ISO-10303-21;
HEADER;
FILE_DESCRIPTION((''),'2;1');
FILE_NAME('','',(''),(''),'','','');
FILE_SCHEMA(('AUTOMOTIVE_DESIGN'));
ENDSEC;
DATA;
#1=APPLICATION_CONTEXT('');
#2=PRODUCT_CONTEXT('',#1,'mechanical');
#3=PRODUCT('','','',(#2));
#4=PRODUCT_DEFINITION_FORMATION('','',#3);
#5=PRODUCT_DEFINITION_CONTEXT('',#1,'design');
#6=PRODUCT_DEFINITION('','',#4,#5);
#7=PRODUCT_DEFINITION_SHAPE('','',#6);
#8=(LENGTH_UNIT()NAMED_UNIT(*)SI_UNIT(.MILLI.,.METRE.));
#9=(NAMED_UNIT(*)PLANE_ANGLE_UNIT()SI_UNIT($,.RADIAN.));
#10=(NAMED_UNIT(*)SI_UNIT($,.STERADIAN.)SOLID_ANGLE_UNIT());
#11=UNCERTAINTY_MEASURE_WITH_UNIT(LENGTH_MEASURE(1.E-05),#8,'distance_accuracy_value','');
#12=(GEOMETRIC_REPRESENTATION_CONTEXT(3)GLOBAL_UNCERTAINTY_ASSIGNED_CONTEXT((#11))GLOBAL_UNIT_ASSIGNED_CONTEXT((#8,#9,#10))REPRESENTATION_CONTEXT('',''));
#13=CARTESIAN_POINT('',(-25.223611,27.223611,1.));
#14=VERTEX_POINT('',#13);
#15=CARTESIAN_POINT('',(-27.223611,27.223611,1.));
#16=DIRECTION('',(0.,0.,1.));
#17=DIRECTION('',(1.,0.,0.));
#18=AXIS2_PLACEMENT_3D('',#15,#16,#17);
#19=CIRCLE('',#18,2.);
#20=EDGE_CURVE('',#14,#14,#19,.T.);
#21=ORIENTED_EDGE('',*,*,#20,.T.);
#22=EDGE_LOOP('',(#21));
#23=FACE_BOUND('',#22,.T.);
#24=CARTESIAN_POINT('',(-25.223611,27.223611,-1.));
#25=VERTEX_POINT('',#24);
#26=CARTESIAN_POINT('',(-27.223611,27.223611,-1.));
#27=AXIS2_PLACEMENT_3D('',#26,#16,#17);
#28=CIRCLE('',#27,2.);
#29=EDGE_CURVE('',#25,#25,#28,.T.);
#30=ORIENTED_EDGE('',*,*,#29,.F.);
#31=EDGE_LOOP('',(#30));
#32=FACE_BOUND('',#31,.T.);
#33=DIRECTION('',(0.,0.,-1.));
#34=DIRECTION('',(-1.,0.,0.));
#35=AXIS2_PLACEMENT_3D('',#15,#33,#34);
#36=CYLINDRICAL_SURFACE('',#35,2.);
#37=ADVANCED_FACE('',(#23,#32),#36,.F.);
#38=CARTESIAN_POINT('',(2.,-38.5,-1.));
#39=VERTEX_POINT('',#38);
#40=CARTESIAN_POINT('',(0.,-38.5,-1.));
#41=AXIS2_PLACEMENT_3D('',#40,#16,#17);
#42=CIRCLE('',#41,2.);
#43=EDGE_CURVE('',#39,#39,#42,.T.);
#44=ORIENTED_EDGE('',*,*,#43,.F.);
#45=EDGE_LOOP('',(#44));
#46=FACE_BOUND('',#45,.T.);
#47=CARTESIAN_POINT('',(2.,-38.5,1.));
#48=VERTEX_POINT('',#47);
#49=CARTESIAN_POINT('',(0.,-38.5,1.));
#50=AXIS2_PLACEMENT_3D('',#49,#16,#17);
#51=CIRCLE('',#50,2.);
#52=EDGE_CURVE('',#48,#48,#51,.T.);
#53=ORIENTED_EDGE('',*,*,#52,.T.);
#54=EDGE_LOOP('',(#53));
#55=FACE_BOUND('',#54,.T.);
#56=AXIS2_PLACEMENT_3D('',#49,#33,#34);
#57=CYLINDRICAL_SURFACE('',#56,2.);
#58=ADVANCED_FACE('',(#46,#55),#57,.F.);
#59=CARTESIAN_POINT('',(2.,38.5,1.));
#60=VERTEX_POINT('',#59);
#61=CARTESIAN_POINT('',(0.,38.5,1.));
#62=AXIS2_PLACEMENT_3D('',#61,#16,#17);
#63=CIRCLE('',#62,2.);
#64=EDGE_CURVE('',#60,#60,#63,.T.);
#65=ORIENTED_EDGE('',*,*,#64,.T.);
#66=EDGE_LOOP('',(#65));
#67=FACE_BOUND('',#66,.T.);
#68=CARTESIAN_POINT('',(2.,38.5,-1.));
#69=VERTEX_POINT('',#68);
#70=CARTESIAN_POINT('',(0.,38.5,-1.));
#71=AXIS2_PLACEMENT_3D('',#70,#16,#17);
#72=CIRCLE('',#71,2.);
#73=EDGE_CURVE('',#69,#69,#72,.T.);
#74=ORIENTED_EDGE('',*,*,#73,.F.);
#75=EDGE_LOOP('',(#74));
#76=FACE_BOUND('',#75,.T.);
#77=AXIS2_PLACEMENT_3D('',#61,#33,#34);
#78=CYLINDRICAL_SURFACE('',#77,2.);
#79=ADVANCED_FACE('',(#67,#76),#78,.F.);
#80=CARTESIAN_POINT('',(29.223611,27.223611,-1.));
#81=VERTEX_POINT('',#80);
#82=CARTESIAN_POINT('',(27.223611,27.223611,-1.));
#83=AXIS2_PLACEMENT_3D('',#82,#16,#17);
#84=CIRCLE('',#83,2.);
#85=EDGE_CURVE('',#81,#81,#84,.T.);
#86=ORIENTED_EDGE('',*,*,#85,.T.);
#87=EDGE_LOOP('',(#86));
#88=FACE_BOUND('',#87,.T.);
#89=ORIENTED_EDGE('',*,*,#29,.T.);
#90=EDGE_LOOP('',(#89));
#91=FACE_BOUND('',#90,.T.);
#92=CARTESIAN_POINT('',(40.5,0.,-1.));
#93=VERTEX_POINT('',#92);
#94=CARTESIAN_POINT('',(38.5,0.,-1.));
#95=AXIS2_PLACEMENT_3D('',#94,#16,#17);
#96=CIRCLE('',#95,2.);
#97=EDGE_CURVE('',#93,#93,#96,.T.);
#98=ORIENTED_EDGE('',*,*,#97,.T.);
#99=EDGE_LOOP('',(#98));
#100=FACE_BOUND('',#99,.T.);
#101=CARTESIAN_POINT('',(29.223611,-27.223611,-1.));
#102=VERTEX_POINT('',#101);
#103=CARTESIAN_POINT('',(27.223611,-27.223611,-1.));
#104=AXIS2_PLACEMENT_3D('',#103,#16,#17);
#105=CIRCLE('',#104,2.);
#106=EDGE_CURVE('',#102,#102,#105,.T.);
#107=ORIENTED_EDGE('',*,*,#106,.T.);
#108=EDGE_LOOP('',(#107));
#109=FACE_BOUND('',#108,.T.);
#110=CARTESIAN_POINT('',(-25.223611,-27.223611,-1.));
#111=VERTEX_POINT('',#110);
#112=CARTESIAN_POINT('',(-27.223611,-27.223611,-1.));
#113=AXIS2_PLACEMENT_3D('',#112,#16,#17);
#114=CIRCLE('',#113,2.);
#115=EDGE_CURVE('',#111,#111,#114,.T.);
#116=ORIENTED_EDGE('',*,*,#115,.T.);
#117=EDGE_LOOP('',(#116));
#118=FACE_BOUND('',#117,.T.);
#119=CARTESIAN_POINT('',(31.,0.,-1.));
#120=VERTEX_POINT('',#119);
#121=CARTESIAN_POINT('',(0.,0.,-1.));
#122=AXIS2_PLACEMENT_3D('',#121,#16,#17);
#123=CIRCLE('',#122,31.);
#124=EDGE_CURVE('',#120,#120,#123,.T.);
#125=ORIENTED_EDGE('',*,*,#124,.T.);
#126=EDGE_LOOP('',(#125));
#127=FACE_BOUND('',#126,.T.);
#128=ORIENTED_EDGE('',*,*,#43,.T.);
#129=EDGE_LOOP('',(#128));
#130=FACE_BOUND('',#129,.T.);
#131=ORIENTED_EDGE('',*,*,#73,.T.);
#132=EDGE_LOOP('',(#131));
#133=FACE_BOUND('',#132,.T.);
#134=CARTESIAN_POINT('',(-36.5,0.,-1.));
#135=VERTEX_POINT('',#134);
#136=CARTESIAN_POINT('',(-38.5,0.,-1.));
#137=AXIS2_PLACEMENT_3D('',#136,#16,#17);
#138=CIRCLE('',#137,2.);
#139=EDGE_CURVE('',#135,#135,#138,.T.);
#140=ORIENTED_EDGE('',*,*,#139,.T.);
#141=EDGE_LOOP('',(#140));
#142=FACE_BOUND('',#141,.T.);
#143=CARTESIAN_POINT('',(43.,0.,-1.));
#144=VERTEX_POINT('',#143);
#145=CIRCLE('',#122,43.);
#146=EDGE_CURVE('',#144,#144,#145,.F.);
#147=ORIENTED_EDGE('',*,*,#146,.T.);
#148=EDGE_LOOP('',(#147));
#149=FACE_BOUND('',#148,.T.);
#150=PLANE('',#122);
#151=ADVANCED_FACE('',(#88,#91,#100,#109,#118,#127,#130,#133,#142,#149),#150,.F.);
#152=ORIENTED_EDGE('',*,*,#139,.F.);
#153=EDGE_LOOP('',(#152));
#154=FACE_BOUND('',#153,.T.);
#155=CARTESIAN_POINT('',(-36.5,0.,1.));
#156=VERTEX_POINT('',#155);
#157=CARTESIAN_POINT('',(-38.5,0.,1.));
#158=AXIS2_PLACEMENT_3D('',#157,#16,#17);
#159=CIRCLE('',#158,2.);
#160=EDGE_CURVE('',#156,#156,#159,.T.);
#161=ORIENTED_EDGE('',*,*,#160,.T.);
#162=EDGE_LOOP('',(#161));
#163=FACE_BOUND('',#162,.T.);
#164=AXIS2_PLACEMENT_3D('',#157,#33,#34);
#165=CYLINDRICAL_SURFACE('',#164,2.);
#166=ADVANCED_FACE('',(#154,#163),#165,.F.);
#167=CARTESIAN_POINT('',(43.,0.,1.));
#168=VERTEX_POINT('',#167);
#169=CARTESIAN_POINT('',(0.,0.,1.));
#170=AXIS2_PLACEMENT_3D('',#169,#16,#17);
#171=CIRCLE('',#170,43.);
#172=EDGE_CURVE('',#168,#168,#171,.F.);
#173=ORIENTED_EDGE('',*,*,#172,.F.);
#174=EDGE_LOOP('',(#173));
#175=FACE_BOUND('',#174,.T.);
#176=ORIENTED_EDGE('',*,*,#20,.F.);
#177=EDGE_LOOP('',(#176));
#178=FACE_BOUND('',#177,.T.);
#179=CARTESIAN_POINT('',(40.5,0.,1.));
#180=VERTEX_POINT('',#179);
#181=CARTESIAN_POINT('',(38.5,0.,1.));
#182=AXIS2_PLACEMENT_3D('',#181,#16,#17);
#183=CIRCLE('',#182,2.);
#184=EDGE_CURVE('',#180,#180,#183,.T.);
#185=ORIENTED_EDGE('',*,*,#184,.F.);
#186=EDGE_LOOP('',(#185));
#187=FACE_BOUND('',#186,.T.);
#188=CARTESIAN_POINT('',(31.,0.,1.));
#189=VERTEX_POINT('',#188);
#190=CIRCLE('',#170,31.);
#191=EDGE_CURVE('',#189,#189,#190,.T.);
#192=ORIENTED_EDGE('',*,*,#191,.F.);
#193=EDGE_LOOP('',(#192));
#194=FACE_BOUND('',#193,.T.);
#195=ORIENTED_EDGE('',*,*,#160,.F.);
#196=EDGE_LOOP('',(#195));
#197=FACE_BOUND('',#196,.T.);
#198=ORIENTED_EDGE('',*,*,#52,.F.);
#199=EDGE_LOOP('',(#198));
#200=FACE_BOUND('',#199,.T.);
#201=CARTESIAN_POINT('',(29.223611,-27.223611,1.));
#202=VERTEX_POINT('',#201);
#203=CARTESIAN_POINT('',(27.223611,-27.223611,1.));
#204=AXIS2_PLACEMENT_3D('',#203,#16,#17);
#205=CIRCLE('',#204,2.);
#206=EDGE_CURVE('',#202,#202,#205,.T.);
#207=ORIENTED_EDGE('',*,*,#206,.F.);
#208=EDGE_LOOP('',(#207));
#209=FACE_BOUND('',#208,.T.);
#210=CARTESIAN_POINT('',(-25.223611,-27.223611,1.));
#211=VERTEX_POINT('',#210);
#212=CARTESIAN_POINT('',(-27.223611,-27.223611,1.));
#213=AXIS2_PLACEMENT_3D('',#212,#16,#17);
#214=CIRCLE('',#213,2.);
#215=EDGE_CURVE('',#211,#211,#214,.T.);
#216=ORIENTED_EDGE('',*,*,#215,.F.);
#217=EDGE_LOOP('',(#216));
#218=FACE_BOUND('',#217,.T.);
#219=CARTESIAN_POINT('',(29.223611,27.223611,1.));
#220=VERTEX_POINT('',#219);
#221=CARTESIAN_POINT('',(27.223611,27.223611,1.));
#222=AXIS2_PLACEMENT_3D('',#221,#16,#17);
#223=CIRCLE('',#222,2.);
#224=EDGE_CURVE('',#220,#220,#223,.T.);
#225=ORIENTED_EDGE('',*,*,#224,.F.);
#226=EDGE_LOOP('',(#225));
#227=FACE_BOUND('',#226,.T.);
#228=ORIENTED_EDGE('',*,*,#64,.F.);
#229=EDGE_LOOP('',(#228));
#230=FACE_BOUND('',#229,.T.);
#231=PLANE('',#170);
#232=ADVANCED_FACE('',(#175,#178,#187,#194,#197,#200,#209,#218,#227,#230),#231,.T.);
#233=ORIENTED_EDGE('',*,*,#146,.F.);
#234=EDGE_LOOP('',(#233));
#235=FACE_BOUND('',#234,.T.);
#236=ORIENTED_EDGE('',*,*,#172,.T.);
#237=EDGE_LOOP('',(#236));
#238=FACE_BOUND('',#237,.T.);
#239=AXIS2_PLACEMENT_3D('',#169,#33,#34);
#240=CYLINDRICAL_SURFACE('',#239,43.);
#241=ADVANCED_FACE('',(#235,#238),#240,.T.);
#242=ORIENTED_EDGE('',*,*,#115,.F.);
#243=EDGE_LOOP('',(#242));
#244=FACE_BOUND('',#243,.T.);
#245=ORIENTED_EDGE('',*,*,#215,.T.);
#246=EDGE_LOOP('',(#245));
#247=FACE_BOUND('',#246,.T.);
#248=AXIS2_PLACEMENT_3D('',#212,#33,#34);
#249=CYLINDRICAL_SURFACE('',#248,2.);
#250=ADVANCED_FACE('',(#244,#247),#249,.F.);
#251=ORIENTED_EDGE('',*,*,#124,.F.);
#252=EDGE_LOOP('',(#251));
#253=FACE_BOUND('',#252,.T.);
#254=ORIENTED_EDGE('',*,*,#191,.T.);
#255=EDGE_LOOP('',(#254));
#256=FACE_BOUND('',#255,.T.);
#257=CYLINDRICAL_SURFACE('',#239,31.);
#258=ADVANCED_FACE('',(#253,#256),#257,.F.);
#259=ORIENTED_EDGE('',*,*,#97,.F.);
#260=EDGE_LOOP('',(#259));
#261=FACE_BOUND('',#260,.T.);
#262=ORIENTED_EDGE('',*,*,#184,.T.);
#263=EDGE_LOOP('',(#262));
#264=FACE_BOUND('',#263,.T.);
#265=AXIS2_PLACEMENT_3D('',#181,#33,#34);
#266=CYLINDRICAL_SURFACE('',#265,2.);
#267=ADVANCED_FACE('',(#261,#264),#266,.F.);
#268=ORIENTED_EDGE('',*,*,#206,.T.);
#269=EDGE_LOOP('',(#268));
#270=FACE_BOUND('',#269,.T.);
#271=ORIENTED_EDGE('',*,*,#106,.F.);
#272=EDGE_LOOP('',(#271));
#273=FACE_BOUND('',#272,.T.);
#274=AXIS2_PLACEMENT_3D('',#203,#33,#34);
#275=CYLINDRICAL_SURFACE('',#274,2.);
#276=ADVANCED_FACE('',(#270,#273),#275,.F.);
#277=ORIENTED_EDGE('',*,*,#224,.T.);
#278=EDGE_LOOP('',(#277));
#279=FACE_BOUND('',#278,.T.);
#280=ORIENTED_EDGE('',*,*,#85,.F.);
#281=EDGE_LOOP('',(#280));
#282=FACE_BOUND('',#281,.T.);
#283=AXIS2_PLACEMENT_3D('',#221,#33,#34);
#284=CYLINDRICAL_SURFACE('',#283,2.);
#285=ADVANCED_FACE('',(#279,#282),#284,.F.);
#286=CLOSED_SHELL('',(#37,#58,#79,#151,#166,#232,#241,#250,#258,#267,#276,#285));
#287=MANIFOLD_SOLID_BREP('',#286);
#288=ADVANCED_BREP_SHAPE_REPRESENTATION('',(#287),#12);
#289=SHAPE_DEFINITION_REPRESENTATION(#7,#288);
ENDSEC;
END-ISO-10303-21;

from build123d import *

# Parameters (mm, degrees)
SKETCH1_R           = 2
SKETCH1_R_2         = 31
BOSS_EXTRUDE1_DEPTH = 1


with BuildPart() as part:
    # Sketch1 → Boss-Extrude1 (new, symmetric)
    with BuildSketch(Plane.XY):
        with BuildLine():
            ThreePointArc((41.821047333, 10), (0, 43), (-41.821047333, 10))
            ThreePointArc((-41.821047333, 10), (-43, 0), (-41.821047333, -10))
            ThreePointArc((-41.821047333, -10), (-41.753494763, -10.278408199), (-41.684088814, -10.556360154))
            ThreePointArc((-41.684088814, -10.556360154), (0.263191219, -42.999194532), (41.810188324, -10.045304987))
            ThreePointArc((41.810188324, -10.045304987), (41.815623964, -10.022653964), (41.821047333, -10))
            ThreePointArc((41.821047333, -10), (43, 0), (41.821047333, 10))
        make_face()
        with Locations((-27.223611076, -27.223611076)):
            Circle(SKETCH1_R, mode=Mode.SUBTRACT)
        with Locations((0, -38.5)):
            Circle(SKETCH1_R, mode=Mode.SUBTRACT)
        with Locations((27.223611076, -27.223611076)):
            Circle(SKETCH1_R, mode=Mode.SUBTRACT)
        with Locations((-38.5, 0)):
            Circle(SKETCH1_R, mode=Mode.SUBTRACT)
        with Locations((-27.223611076, 27.223611076)):
            Circle(SKETCH1_R, mode=Mode.SUBTRACT)
        Circle(SKETCH1_R_2, mode=Mode.SUBTRACT)
        with Locations((38.5, 0)):
            Circle(SKETCH1_R, mode=Mode.SUBTRACT)
        with Locations((27.223611076, 27.223611076)):
            Circle(SKETCH1_R, mode=Mode.SUBTRACT)
        with Locations((0, 38.5)):
            Circle(SKETCH1_R, mode=Mode.SUBTRACT)
    extrude(amount=BOSS_EXTRUDE1_DEPTH, both=True)


solid = part.part
